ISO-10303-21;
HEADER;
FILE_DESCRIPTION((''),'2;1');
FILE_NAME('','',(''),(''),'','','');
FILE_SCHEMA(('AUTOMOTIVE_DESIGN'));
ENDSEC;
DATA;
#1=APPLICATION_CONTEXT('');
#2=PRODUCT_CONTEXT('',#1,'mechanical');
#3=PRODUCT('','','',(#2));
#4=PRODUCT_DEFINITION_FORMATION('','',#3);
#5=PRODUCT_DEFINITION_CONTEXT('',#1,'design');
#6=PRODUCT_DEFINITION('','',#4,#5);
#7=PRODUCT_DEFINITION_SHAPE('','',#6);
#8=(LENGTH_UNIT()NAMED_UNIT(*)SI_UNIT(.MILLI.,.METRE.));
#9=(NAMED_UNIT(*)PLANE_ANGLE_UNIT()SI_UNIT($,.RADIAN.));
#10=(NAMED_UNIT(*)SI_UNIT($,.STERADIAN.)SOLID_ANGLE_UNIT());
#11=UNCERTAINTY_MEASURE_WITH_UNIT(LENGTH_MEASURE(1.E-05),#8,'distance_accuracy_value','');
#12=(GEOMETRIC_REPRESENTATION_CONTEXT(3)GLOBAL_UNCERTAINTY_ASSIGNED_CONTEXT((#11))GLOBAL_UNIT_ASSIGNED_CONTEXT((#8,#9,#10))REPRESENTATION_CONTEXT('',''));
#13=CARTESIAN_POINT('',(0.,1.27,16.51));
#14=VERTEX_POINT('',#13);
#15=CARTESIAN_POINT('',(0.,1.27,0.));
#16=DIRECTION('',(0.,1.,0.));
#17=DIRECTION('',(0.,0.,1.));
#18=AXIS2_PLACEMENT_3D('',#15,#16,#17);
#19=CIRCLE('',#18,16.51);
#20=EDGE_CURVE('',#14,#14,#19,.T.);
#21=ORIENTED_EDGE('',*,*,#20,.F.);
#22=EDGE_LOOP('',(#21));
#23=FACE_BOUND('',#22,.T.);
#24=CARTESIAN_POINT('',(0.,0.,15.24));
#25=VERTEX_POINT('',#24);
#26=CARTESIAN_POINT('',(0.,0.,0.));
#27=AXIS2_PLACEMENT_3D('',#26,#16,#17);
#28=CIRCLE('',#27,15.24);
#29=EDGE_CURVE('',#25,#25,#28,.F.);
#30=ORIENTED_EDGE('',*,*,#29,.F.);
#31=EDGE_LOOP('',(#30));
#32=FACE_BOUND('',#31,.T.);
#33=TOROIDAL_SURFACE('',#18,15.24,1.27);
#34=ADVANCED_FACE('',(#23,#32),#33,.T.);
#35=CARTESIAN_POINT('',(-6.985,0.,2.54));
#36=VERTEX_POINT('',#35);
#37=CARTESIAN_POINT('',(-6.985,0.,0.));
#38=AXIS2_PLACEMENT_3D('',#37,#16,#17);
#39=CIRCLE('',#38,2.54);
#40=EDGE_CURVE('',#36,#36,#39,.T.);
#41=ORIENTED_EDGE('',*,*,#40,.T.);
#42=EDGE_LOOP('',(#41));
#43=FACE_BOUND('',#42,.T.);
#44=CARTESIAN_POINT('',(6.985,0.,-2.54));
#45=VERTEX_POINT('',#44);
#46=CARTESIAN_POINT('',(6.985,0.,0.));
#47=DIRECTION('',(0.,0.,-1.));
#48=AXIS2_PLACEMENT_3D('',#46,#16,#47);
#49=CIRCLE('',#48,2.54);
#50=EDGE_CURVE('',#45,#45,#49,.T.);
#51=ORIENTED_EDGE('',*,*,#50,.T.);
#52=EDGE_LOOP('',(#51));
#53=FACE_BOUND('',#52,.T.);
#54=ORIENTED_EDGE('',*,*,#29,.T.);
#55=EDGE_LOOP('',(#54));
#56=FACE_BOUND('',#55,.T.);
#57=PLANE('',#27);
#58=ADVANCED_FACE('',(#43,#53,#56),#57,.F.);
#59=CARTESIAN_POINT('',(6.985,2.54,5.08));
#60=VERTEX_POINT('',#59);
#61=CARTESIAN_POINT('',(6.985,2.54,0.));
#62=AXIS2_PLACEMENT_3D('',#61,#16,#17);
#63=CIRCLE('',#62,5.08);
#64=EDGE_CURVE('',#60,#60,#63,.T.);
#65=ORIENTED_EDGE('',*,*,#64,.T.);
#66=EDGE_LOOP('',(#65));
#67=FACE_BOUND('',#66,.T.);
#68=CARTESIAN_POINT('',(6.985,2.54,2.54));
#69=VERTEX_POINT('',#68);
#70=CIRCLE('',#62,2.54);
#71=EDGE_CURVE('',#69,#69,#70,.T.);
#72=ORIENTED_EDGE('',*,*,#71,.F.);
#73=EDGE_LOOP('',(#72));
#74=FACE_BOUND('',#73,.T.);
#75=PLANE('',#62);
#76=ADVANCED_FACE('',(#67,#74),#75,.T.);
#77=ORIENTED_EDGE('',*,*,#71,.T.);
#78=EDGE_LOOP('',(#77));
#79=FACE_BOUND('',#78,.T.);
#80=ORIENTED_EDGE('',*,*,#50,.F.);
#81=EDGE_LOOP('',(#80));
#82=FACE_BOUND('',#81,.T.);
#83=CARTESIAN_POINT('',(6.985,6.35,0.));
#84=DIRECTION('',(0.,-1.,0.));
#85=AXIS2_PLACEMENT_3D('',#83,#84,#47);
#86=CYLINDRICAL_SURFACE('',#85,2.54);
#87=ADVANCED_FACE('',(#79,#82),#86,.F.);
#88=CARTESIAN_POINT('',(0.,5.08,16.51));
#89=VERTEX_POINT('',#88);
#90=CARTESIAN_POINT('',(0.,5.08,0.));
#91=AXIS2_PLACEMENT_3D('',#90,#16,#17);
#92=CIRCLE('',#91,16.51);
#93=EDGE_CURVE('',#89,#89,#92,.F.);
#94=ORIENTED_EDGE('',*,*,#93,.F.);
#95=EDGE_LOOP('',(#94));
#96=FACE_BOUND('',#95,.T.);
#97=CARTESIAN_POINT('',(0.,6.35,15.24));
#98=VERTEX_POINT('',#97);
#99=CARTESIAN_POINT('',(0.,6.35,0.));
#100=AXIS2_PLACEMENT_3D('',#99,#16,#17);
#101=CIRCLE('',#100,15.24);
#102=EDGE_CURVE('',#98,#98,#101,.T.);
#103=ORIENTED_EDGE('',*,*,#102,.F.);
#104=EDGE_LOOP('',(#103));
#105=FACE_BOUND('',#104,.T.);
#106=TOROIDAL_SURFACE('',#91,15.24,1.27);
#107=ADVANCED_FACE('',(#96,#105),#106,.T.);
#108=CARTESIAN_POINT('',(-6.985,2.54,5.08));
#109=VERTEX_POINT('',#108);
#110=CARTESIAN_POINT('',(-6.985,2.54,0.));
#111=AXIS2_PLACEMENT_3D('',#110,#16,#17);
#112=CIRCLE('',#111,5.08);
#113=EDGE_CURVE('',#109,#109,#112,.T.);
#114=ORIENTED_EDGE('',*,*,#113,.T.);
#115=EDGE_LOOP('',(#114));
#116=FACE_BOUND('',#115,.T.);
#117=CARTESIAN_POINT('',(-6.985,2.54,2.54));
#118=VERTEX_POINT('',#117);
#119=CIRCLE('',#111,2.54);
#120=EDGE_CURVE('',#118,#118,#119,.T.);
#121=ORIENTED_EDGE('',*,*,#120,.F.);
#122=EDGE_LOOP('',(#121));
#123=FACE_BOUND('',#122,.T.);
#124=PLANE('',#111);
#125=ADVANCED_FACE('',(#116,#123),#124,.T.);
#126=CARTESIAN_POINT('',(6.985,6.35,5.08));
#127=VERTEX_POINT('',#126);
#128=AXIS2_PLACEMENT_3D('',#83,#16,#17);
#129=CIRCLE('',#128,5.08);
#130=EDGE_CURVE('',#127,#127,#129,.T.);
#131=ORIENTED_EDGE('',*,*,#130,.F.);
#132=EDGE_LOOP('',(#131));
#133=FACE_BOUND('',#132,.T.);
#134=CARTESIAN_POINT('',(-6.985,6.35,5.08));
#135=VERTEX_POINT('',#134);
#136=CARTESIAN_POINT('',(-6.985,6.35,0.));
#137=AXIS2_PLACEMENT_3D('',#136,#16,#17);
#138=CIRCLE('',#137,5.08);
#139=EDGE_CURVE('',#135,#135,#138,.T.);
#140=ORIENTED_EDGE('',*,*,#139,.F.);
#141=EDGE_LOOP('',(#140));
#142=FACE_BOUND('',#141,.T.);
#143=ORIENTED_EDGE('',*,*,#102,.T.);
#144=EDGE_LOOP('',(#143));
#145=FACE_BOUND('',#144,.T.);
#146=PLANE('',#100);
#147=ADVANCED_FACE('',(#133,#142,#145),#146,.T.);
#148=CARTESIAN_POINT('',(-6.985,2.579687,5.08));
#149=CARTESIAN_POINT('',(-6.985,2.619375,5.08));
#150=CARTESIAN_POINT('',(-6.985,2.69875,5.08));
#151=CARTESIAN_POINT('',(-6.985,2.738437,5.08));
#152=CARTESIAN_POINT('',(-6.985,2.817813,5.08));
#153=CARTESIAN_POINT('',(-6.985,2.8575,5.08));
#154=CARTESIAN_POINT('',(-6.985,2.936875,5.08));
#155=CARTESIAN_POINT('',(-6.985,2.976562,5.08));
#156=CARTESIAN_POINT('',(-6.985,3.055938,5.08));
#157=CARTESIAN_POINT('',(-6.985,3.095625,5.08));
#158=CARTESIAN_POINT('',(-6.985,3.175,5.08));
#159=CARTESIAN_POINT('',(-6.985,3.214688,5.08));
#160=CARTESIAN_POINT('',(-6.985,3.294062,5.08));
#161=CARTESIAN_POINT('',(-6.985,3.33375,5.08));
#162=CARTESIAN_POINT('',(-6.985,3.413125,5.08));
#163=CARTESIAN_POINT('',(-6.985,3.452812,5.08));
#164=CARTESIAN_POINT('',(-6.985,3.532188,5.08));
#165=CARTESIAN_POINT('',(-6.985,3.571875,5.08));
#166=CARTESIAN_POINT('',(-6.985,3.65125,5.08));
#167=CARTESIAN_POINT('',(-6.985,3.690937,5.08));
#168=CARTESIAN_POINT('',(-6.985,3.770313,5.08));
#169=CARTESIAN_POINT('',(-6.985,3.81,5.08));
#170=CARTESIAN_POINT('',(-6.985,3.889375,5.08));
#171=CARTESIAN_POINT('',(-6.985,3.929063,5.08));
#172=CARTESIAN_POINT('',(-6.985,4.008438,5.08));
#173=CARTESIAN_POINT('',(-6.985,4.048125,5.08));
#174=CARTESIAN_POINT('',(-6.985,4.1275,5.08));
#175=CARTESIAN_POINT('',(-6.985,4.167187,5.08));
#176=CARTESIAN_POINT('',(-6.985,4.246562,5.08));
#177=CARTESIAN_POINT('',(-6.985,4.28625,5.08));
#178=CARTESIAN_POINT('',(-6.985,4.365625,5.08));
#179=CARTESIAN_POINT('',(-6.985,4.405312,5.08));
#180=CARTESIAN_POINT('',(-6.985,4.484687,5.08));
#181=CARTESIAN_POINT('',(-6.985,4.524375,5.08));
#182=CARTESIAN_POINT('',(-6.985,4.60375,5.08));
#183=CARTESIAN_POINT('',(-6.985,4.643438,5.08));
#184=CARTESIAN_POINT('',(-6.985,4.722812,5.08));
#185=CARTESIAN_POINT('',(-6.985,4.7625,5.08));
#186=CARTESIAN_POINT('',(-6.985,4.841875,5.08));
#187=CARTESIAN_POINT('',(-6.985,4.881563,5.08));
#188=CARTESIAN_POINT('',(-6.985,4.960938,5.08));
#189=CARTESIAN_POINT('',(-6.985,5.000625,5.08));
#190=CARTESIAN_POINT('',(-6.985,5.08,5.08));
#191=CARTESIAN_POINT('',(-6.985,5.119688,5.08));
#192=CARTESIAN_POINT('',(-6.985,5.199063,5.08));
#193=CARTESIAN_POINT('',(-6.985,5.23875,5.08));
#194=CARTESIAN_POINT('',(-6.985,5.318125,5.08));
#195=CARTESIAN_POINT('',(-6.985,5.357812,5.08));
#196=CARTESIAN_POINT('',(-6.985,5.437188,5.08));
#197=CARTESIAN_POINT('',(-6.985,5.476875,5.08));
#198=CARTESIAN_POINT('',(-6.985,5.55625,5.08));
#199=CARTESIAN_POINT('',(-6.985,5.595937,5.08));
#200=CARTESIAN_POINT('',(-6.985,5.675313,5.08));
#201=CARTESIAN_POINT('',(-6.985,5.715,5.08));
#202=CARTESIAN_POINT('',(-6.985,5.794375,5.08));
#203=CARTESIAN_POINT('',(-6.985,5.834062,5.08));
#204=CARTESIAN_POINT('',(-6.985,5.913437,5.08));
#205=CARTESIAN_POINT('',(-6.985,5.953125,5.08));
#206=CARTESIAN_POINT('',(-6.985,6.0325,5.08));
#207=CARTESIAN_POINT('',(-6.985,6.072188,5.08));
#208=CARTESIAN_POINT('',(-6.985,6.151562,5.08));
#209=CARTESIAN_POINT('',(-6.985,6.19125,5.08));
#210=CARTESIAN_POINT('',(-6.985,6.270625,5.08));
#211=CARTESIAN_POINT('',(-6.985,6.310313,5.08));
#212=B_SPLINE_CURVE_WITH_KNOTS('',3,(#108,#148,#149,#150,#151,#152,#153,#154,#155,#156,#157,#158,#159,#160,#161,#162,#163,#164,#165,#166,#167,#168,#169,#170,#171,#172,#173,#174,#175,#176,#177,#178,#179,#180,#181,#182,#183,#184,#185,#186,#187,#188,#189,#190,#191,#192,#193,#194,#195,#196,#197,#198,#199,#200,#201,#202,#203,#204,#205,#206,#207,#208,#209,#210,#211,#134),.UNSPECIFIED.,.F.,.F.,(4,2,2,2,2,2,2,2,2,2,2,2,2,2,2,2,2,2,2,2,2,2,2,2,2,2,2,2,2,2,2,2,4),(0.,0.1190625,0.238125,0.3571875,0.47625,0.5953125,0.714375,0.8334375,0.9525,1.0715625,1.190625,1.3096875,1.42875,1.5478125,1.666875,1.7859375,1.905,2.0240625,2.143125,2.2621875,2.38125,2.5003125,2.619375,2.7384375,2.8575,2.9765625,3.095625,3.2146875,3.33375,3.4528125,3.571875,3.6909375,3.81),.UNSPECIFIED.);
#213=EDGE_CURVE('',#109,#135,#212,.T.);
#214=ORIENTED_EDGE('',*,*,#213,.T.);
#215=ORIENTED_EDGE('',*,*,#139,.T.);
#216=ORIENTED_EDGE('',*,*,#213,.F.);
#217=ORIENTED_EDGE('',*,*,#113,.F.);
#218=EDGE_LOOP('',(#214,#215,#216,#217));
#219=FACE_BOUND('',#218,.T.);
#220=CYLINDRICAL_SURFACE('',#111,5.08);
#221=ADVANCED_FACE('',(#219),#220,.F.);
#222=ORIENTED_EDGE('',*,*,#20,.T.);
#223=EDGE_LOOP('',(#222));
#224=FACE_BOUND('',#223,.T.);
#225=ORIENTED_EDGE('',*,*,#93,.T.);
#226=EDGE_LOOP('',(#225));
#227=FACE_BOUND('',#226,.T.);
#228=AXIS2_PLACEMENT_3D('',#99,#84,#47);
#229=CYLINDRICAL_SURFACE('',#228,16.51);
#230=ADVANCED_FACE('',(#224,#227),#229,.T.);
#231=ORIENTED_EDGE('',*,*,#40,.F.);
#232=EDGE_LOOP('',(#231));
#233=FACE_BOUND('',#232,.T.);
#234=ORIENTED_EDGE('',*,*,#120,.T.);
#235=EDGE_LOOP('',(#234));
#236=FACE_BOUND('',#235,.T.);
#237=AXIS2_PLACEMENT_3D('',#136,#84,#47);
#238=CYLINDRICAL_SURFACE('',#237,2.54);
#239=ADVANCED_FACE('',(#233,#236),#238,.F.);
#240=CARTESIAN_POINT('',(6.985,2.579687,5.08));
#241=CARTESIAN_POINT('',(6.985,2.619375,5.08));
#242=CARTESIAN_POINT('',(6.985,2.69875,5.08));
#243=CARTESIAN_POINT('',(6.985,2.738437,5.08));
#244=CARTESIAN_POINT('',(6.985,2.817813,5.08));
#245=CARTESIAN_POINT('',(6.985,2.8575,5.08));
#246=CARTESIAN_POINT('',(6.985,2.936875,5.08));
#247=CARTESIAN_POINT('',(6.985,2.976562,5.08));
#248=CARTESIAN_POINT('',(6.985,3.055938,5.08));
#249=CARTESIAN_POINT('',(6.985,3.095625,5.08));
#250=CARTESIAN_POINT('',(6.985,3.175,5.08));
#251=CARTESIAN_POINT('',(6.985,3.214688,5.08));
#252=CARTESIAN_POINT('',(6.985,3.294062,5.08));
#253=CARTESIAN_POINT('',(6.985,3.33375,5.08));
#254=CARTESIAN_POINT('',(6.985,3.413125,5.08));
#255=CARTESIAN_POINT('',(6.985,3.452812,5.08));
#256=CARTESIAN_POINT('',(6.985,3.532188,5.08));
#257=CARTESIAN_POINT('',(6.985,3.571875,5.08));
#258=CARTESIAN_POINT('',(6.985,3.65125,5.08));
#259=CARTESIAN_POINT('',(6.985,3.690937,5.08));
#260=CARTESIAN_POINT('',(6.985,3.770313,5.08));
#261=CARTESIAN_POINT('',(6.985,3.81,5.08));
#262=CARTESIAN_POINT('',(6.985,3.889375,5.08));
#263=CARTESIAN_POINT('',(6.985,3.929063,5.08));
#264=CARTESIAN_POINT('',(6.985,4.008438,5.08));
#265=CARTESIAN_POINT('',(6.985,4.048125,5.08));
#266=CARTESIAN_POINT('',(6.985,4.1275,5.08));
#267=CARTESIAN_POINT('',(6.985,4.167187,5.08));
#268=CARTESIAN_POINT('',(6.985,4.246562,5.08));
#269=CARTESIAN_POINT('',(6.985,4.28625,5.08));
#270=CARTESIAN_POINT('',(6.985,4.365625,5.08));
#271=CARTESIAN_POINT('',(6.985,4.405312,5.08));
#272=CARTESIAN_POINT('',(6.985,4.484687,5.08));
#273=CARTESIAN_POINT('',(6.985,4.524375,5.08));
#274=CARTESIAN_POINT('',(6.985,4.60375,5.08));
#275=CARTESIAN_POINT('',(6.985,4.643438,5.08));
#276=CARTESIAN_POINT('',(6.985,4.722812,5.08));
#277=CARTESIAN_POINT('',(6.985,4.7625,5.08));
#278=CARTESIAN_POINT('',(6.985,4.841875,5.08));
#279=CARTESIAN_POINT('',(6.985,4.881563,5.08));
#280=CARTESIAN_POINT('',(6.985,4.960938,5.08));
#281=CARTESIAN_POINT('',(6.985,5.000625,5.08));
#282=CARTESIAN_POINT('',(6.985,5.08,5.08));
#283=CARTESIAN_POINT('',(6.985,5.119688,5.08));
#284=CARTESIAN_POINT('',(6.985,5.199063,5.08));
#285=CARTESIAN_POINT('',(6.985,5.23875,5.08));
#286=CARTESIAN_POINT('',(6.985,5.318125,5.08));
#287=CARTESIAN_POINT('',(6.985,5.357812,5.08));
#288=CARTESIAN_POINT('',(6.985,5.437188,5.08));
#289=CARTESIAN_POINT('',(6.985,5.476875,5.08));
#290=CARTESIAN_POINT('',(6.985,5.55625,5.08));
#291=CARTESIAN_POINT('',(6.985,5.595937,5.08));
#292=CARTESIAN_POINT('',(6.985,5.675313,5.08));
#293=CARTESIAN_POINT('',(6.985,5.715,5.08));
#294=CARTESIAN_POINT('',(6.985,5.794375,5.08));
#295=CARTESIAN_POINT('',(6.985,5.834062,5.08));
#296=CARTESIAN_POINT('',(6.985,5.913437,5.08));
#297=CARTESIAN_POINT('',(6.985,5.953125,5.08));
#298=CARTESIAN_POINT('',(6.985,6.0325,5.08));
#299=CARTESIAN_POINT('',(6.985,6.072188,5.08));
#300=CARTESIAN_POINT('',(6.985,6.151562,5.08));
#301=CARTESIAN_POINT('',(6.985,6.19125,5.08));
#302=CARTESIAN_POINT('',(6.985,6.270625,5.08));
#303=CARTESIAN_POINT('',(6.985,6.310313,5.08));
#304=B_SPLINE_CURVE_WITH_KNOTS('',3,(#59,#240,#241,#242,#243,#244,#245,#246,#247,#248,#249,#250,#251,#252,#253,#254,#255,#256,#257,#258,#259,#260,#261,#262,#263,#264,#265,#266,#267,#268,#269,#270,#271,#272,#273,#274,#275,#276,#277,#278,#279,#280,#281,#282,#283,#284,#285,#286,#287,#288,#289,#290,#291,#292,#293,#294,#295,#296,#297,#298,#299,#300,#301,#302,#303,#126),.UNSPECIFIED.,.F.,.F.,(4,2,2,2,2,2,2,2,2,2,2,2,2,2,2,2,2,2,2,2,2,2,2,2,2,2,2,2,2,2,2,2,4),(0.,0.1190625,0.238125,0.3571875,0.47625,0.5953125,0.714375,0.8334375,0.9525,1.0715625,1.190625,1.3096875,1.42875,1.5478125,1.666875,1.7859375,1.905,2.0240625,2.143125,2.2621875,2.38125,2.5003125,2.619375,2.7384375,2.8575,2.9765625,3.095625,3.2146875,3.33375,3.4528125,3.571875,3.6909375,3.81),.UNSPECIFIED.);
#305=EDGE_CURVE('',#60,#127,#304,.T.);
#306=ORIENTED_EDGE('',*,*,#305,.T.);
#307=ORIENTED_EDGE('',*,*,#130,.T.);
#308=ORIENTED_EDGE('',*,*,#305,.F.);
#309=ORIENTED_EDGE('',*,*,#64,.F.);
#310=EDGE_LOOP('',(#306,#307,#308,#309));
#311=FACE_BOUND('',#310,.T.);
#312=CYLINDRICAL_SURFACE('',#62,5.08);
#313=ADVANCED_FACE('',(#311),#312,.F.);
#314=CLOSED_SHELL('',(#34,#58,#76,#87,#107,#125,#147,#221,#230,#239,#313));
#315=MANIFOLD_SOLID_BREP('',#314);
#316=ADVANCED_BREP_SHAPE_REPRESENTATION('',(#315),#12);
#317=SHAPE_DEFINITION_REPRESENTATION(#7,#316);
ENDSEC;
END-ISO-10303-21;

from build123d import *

# Parameters (mm, degrees)
SKETCH1_R           = 16.51
SKETCH1_R_2         = 2.54
BOSS_EXTRUDE1_DEPTH = 6.35
SKETCH2_R           = 5.08
CUT_EXTRUDE1_DEPTH  = 3.81
FILLET1_R           = 1.27


with BuildPart() as part:
    # Sketch1 → Boss-Extrude1 (new body)
    with BuildSketch(Plane(origin=(0, 0, 0), x_dir=(1, 0, 0), z_dir=(0, 1, 0))):
        with Locations(Location((0, 0, 0), (0, 0, 270))):
            Circle(SKETCH1_R)
        with Locations(Location((-6.985, 0, 0), (0, 0, 270))):
            Circle(SKETCH1_R_2, mode=Mode.SUBTRACT)
        with Locations(Location((6.985, 0, 0), (0, 0, 90))):
            Circle(SKETCH1_R_2, mode=Mode.SUBTRACT)
    extrude(amount=BOSS_EXTRUDE1_DEPTH)

    # Sketch2 → Cut-Extrude1 (cut)
    with BuildSketch(Plane(origin=(0, 6.35, 0), x_dir=(1, 0, 0), z_dir=(0, 1, 0))):
        with Locations(Location((-6.985, 0, 0), (0, 0, 270))):
            Circle(SKETCH2_R)
        with Locations(Location((6.985, 0, 0), (0, 0, 270))):
            Circle(SKETCH2_R)
    extrude(amount=-CUT_EXTRUDE1_DEPTH, mode=Mode.SUBTRACT)

    # Fillet1
    fillet1_edges = [part.edges().sort_by_distance(p)[0] for p in [
        (0, 0, -16.51),
        (0, 6.35, -16.51),
    ]]
    fillet(fillet1_edges, radius=FILLET1_R)


solid = part.part
